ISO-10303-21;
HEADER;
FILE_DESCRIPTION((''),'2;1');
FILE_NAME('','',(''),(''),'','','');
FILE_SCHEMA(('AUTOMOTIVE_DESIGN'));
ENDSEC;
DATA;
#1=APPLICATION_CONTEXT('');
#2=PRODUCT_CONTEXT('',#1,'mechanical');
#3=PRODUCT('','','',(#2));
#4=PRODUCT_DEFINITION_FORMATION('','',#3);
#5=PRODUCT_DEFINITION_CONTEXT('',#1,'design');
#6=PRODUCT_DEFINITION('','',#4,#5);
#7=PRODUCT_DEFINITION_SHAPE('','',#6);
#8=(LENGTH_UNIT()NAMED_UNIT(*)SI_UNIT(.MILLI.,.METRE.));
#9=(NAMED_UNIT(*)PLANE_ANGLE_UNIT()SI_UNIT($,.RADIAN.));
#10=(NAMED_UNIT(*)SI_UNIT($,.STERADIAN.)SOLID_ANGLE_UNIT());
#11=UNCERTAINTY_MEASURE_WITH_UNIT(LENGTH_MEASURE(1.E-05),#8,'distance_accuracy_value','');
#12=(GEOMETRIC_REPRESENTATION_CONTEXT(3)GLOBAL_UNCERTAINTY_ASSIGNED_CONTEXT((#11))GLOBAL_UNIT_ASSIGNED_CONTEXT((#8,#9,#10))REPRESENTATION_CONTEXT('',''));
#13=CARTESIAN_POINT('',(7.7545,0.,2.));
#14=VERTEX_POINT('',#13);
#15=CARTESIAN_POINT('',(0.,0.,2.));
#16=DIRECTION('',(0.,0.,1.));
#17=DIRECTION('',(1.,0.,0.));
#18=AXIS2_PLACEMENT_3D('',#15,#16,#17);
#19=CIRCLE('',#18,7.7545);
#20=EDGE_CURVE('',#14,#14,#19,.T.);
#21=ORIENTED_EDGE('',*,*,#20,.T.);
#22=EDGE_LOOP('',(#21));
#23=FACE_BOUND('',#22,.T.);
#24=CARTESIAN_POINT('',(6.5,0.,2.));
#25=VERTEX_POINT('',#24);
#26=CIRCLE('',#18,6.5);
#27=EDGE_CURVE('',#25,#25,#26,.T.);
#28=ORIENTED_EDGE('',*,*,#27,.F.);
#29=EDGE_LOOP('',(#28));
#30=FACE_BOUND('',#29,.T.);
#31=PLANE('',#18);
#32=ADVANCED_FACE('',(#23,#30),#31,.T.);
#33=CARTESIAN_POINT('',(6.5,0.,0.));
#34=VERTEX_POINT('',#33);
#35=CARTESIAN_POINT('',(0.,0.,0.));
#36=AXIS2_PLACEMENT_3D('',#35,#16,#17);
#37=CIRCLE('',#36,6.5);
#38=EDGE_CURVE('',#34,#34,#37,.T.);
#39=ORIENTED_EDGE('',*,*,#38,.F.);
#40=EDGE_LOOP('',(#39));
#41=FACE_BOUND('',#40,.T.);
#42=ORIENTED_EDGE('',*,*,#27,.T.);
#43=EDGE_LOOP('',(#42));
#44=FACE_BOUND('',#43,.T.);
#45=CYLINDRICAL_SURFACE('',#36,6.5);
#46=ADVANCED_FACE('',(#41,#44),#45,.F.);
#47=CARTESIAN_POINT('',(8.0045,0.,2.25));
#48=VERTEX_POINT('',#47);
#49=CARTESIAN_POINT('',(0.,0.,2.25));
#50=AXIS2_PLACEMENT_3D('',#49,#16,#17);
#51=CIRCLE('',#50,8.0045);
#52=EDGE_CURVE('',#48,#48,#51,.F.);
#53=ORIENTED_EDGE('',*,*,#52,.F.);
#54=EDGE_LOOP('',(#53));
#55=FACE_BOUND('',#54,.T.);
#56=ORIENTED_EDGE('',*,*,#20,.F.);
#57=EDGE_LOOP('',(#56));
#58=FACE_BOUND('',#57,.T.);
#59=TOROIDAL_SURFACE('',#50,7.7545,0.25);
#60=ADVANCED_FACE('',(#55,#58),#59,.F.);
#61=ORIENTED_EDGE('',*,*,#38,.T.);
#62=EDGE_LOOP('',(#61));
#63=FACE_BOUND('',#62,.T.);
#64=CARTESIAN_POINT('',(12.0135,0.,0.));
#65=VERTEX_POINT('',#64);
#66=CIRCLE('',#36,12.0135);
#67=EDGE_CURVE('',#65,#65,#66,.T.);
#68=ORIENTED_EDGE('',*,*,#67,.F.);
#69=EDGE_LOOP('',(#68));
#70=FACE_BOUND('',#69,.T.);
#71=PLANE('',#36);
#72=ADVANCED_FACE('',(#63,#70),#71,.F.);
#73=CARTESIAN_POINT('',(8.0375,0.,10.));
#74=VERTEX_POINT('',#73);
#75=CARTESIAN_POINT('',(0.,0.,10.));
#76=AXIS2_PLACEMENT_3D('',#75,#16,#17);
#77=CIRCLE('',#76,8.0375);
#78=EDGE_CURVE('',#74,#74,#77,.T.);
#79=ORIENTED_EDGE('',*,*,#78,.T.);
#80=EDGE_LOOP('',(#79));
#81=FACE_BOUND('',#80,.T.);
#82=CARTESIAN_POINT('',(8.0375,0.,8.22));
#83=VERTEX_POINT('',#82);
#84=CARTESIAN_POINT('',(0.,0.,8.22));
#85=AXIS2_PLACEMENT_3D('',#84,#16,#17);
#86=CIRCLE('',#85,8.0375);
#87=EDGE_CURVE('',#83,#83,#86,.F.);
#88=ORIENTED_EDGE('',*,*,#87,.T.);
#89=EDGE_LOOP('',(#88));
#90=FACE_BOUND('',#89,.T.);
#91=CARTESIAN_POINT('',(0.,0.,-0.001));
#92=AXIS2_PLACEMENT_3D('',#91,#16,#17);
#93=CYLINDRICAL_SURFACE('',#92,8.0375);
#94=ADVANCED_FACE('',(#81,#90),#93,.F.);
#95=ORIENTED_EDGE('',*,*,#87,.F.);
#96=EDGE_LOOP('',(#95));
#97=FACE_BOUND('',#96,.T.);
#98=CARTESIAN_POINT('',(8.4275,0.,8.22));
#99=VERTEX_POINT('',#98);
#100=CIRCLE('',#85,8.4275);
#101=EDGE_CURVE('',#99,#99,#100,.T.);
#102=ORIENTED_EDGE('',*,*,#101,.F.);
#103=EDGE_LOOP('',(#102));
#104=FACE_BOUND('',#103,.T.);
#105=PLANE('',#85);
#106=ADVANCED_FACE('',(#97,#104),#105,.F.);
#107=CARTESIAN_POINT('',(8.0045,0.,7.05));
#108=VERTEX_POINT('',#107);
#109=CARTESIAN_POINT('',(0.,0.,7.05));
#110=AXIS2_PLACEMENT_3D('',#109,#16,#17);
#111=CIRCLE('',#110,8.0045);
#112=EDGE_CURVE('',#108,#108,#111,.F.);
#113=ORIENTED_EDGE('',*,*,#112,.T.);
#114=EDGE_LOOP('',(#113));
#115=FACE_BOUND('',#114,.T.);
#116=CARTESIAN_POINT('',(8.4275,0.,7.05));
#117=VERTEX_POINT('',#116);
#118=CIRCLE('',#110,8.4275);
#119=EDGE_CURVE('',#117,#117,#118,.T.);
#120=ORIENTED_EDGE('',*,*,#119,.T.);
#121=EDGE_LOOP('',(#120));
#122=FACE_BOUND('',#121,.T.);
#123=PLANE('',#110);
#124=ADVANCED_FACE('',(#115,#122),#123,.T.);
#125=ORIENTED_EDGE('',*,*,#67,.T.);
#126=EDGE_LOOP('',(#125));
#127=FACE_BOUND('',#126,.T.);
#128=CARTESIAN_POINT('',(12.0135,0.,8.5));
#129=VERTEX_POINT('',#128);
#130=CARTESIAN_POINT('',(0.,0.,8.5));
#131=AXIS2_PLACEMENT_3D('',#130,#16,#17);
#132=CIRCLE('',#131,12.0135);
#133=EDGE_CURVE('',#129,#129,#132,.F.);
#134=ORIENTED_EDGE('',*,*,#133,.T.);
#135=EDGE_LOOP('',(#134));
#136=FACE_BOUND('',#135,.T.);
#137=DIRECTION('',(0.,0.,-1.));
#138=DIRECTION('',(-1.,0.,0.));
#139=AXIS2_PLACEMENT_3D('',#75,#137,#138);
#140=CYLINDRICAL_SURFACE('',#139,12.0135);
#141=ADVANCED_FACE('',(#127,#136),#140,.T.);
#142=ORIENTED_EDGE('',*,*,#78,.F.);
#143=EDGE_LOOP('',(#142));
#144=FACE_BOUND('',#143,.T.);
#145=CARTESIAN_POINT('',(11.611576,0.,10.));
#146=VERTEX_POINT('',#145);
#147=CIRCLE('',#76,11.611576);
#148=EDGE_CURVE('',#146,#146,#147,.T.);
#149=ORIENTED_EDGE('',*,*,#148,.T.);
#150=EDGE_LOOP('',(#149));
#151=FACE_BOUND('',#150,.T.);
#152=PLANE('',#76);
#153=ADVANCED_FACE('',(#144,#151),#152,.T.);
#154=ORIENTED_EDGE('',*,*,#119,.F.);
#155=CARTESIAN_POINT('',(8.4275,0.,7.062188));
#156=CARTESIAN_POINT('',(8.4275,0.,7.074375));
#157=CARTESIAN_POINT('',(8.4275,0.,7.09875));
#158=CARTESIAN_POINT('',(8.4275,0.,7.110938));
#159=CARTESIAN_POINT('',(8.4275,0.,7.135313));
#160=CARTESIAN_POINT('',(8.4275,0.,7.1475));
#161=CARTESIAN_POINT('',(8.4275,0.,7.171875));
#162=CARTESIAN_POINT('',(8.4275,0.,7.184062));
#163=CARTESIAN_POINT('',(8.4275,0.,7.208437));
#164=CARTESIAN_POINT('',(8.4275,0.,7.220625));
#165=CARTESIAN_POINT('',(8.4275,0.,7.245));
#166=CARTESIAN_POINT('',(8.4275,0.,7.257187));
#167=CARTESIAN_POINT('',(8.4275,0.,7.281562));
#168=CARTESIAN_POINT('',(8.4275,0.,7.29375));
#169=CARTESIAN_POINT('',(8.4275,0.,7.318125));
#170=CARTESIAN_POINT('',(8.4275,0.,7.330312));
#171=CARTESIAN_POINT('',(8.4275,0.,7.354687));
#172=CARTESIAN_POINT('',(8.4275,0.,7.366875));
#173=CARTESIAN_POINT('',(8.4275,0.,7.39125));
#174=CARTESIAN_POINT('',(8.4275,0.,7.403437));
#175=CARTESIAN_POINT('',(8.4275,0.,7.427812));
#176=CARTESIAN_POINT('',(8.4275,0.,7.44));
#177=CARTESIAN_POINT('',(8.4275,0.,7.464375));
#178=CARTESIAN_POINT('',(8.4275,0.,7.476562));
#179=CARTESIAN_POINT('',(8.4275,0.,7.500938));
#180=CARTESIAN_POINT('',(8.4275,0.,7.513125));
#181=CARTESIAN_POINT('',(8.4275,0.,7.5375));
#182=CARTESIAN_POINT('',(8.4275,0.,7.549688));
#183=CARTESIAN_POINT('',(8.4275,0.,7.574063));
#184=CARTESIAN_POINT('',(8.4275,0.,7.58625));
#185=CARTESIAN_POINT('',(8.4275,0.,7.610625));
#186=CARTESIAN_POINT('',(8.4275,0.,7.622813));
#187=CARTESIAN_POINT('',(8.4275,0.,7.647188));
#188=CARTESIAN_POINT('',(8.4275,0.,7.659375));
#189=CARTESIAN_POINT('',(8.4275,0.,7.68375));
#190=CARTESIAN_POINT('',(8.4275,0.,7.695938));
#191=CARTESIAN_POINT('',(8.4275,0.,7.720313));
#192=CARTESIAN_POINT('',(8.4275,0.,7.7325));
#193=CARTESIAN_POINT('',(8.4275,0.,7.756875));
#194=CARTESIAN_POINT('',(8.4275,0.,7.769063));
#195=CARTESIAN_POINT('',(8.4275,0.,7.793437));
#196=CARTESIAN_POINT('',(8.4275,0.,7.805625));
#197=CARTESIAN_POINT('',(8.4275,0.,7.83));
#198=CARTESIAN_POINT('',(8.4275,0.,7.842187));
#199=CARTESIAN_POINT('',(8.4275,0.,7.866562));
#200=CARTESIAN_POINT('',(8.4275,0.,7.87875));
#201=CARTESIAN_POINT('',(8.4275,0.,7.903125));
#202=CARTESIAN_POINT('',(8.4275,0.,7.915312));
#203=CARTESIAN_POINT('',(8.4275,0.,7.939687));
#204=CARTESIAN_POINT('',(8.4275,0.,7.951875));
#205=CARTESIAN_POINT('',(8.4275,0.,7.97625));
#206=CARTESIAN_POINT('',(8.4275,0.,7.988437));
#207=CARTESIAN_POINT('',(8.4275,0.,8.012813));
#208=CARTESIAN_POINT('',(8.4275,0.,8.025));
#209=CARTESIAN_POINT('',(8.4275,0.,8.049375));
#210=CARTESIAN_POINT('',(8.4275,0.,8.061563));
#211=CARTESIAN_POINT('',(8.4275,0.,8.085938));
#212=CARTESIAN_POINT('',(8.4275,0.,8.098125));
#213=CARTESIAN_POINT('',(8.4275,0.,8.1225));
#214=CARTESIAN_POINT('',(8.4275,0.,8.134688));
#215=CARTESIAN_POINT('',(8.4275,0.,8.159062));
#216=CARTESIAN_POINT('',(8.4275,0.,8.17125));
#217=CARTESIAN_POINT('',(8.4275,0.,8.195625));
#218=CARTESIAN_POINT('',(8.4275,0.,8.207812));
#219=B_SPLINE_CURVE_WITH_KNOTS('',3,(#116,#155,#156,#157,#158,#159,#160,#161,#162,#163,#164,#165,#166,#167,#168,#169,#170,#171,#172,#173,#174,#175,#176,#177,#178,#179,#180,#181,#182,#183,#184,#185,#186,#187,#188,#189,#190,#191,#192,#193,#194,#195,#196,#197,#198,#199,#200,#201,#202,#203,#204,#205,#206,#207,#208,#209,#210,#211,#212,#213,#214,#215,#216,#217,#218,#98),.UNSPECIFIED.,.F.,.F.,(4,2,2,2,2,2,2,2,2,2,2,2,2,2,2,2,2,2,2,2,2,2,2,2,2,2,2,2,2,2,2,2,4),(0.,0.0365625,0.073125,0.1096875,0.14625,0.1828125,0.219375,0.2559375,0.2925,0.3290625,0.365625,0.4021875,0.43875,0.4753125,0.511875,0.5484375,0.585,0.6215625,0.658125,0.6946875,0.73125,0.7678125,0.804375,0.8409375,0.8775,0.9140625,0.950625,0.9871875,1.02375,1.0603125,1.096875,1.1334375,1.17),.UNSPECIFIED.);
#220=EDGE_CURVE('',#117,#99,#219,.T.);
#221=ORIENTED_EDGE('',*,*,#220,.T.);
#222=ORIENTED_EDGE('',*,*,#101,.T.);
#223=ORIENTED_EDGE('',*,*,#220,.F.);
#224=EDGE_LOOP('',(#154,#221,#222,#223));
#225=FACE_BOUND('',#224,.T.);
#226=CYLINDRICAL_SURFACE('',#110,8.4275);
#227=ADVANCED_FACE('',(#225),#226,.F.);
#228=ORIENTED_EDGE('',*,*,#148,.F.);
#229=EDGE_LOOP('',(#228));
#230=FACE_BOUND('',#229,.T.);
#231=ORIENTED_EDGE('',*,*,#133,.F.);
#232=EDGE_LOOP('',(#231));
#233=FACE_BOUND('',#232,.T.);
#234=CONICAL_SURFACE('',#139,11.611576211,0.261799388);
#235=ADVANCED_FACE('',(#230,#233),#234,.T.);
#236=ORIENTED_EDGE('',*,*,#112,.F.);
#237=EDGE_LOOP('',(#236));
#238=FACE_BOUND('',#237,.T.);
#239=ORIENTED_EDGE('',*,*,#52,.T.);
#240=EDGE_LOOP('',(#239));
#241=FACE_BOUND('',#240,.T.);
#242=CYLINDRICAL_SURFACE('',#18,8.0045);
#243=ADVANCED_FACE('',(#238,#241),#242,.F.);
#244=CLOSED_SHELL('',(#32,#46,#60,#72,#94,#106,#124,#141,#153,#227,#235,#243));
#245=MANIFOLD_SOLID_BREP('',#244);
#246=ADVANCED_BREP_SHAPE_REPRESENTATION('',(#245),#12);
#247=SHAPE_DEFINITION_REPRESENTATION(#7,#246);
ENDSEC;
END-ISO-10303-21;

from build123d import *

# Parameters (mm, degrees)
SKETCH1_R      = 12.0135
EXTRUDE1_DEPTH = 10
SKETCH3_R      = 8.0045
EXTRUDE2_DEPTH = 8
SKETCH4_R      = 6.5
EXTRUDE3_DEPTH = 19.778934062
FILLET1_R      = 0.25
EXTRUDE4_START = -1.78
SKETCH5_R      = 8.4275
EXTRUDE4_DEPTH = 1.17
EXTRUDE5_REACH = 21.714
SKETCH6_R      = 8.0375
CHAMFER2_SIZE  = 1.5
CHAMFER2_SIZE2 = 0.401923789


with BuildPart() as part:
    # Sketch1 → Extrude1 (new body)
    with BuildSketch(Plane.XY):
        Circle(SKETCH1_R)
    extrude(amount=EXTRUDE1_DEPTH)

    # Sketch3 → Extrude2 (cut)
    with BuildSketch(Plane.XY.offset(10)):
        Circle(SKETCH3_R)
    extrude(amount=-EXTRUDE2_DEPTH, mode=Mode.SUBTRACT)

    # Sketch4 → Extrude3 (cut, through all)
    with BuildSketch(Plane.XY.offset(2)):
        Circle(SKETCH4_R)
    extrude(amount=-EXTRUDE3_DEPTH, mode=Mode.SUBTRACT)

    # Fillet1
    fillet1_edges = [part.edges().sort_by_distance(p)[0] for p in [
        (-8.0045, 0, 2),
    ]]
    fillet(fillet1_edges, radius=FILLET1_R)

    # Sketch5 → Extrude4 (cut)
    with BuildSketch(Plane.XY.offset(10).offset(EXTRUDE4_START)):
        Circle(SKETCH5_R)
    extrude(amount=-EXTRUDE4_DEPTH, mode=Mode.SUBTRACT)

    # Sketch6 → Extrude5 (cut, up to next)
    with BuildSketch(Plane.XY.offset(10), mode=Mode.PRIVATE) as extrude5_sk1:
        Circle(SKETCH6_R)
    extrude5_tool1 = extrude(extrude5_sk1.sketch, amount=-EXTRUDE5_REACH, mode=Mode.PRIVATE) & part.part
    add(extrude5_tool1.solids().sort_by_distance((0, 0, 10))[0], mode=Mode.SUBTRACT)

    # Chamfer2
    chamfer2_edges = [part.edges().sort_by_distance(p)[0] for p in [
        (-12.0135, 0, 10),
    ]]
    chamfer2_side = [part.faces().sort_by_distance(p)[0] for p in [
        (-12.0135, 0, 5),
    ]]
    chamfer(chamfer2_edges, length=CHAMFER2_SIZE, length2=CHAMFER2_SIZE2, reference=chamfer2_side[0])


solid = part.part
